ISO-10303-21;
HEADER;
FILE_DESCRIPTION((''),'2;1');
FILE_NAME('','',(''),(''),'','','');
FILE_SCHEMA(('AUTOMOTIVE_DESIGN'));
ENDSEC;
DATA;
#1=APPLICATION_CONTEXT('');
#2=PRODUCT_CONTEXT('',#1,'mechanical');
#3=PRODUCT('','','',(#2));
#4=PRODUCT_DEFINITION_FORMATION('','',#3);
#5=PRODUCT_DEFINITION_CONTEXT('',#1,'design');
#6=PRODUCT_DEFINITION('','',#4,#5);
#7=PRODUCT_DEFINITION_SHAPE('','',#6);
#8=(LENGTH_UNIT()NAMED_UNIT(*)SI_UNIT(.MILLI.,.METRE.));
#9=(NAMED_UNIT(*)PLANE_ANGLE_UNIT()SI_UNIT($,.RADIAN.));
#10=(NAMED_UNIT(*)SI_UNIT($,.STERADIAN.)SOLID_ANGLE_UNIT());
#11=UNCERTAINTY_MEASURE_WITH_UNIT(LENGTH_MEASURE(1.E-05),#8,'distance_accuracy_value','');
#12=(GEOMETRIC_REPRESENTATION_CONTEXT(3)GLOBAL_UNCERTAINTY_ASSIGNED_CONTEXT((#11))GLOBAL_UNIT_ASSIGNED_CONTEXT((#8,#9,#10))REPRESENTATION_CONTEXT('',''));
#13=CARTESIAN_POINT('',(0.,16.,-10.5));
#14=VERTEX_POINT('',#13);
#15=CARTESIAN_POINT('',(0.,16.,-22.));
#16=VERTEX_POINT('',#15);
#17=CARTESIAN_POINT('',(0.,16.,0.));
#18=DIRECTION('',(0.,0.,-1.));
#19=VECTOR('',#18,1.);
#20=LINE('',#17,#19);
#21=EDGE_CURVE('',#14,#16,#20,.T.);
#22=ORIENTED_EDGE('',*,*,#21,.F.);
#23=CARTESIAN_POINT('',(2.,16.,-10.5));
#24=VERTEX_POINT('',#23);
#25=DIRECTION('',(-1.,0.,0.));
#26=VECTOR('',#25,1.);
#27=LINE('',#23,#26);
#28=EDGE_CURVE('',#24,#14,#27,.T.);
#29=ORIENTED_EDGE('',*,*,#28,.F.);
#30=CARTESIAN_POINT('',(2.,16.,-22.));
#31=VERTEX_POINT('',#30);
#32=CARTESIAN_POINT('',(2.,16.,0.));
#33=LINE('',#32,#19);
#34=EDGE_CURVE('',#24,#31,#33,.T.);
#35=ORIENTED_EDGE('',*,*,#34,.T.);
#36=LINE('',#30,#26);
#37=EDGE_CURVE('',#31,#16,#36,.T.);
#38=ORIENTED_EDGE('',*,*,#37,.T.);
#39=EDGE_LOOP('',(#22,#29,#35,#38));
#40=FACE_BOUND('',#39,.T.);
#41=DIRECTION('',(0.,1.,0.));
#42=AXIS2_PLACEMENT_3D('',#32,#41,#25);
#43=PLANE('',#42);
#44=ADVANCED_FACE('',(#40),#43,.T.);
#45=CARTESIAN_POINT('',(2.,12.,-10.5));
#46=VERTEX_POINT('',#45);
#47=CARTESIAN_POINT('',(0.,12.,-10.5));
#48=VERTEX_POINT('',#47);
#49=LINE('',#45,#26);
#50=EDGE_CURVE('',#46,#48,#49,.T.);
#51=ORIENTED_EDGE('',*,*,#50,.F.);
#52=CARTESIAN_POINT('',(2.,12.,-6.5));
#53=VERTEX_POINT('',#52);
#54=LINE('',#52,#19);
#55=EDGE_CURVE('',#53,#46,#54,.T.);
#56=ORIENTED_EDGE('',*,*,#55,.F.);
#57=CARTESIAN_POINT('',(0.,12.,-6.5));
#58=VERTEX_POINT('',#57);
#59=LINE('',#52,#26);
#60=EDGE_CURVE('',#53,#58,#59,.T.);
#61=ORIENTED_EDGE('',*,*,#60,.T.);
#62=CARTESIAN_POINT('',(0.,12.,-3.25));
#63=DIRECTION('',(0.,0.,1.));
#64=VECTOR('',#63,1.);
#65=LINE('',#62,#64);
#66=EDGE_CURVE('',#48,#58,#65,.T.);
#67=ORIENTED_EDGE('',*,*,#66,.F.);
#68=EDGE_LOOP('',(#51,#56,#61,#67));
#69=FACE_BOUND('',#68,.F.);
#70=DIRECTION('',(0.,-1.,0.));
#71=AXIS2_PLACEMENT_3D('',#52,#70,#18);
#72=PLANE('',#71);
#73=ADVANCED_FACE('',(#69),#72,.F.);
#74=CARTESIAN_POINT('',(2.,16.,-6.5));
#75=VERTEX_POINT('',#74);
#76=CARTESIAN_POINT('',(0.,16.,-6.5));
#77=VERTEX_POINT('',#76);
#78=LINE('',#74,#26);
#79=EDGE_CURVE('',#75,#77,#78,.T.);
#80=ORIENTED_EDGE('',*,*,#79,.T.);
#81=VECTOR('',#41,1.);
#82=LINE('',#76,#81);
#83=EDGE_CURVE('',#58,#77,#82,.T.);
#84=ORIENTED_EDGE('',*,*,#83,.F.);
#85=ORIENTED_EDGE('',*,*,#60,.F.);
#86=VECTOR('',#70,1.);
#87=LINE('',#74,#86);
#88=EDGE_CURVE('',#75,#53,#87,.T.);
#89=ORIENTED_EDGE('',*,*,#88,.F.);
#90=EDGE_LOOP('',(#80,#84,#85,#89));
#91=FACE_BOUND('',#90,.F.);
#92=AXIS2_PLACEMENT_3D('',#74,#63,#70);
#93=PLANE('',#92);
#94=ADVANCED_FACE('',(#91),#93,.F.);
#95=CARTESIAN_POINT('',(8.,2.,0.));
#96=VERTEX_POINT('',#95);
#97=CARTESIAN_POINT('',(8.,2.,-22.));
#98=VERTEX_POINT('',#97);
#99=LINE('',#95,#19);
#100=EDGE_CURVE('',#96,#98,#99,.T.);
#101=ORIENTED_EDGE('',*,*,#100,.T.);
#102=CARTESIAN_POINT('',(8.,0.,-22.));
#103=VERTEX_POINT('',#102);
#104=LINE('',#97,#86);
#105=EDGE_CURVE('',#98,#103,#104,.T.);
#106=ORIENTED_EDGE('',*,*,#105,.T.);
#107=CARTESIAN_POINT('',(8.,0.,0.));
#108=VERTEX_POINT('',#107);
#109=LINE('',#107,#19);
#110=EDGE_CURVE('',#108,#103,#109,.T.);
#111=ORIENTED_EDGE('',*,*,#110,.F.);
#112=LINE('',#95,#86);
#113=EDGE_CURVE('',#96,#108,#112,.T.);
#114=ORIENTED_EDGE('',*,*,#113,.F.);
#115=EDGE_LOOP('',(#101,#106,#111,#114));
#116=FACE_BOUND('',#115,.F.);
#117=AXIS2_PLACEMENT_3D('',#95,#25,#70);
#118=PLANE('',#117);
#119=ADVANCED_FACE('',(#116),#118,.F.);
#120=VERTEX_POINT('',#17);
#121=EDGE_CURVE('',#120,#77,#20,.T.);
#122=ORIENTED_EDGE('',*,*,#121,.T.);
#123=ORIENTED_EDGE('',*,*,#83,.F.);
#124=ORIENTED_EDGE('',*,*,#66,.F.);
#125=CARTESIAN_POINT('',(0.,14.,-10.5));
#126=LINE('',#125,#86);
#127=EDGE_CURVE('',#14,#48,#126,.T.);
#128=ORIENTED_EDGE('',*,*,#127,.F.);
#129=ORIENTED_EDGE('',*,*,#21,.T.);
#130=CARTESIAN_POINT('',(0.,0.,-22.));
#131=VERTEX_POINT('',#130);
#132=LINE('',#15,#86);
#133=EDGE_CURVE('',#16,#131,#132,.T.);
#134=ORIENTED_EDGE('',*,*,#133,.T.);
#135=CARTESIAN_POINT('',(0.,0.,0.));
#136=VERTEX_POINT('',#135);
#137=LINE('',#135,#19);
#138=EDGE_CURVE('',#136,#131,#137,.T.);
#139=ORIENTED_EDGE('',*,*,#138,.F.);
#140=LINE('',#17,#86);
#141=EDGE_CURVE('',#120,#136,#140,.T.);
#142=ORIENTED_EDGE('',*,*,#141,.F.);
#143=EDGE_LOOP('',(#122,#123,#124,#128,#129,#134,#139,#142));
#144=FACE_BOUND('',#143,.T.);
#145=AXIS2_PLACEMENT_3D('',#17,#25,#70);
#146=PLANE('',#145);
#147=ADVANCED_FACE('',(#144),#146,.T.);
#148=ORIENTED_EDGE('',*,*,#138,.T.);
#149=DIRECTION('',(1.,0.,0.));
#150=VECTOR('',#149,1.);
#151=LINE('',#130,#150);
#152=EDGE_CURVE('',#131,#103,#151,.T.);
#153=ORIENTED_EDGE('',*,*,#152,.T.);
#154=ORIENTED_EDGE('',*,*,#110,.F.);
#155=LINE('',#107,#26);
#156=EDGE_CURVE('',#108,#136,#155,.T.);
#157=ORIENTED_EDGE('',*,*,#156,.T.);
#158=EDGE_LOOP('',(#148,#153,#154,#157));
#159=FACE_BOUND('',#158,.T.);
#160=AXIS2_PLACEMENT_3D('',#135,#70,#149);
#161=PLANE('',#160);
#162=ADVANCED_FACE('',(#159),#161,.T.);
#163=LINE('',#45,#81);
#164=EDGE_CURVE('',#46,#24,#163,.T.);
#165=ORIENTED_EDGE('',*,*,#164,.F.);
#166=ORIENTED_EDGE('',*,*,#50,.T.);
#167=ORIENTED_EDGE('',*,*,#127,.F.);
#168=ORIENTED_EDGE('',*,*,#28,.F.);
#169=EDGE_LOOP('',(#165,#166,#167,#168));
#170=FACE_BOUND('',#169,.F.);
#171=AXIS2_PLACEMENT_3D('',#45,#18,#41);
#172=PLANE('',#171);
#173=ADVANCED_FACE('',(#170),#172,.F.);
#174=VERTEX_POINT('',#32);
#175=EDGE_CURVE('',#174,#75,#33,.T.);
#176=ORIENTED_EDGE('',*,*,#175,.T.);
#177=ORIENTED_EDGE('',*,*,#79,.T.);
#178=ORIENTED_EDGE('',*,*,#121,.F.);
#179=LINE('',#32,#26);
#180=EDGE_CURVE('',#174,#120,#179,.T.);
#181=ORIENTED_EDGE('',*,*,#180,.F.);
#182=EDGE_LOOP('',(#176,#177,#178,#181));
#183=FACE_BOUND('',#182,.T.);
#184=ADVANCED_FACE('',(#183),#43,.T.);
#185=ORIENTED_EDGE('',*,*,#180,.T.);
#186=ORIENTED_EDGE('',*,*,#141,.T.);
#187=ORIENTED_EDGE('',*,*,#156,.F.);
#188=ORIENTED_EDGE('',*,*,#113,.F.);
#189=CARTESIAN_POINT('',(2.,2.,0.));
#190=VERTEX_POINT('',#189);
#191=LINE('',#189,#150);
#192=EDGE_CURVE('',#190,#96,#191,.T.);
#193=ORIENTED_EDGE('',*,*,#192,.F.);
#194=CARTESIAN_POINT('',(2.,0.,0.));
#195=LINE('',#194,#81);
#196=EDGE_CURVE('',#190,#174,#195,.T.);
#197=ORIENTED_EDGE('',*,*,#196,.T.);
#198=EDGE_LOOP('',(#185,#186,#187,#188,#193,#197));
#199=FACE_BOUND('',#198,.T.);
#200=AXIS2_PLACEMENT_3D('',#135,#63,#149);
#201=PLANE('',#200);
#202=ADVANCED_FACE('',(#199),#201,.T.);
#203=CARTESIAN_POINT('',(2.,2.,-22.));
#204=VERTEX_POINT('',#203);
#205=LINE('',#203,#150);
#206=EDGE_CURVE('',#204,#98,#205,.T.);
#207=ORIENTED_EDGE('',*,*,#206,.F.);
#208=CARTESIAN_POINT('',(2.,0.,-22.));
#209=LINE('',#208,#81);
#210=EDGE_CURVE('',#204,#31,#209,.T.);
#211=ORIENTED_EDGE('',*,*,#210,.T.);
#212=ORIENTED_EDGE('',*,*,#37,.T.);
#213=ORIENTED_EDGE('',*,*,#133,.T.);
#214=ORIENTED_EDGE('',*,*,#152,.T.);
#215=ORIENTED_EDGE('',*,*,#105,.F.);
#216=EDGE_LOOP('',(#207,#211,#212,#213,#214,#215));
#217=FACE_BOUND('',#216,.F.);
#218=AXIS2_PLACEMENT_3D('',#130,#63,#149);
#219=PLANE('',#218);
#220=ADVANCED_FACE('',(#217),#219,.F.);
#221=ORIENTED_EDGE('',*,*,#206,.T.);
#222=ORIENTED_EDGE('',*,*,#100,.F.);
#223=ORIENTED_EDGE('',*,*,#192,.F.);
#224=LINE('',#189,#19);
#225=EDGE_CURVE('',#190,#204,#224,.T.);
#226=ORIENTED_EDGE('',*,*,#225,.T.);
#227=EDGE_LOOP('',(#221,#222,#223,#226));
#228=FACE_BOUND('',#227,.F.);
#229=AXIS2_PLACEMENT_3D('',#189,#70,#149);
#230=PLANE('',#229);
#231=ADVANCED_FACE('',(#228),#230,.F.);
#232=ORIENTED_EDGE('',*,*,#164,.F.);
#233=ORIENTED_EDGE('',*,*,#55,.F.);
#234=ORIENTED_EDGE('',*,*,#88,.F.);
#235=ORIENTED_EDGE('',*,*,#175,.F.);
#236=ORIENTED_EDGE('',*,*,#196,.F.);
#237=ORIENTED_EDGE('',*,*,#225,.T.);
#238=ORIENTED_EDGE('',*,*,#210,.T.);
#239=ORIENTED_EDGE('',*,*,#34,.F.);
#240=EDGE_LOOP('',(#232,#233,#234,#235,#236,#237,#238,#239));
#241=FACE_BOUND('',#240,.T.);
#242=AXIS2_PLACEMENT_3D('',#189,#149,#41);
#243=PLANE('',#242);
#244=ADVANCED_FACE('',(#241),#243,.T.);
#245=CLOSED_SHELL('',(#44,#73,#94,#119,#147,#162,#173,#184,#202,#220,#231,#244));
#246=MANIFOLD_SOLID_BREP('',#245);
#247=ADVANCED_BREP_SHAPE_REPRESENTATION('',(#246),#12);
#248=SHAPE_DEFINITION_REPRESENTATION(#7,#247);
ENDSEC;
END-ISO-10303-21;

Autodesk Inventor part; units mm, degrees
ref_plane "YZ Plane" through (0, 0, 0) normal (1, 0, 0) x (0, 1, 0)
ref_plane "XZ Plane" through (0, 0, 0) normal (0, 1, 0) x (-1, 0, 0)
ref_plane "XY Plane" through (0, 0, 0) normal (0, 0, 1) x (1, 0, 0)
sketch "Sketch1" plane through (0, 0, 0) normal (0, 0, 1) x (1, 0, 0)
  line L0 (0, 0) -> (2, 0)
  line L1 (2, 0) -> (2, 16)
  line L2 (2, 16) -> (0, 16)
  line L3 (0, 16) -> (0, 0)
  line L4 (2, 2) -> (8, 2)
  line L5 (8, 2) -> (8, 0)
  line L6 (8, 0) -> (2, 0)
  line L7 (2, 0) -> (2, 2)
  dimension "d0" = 2
  dimension "d1" = 16
  dimension "d2" = 6
extrude "Extrusion1" add sketch "Sketch1" against normal blind 22
sketch "Sketch2" plane through (2, 2, 0) normal (1, 0, 0) x (0, 0, -1)
  line L0 (10.5, 14) -> (6.5, 14)
  line L1 (6.5, 14) -> (6.5, 10)
  line L2 (6.5, 10) -> (10.5, 10)
  line L3 (10.5, 10) -> (10.5, 14)
  point P0 (0, -2)
  dimension "d5" = 4
  dimension "d6" = 4
extrude "Extrusion2" cut sketch "Sketch2" against normal blind 10
properties part number "housing_mate_v04"
